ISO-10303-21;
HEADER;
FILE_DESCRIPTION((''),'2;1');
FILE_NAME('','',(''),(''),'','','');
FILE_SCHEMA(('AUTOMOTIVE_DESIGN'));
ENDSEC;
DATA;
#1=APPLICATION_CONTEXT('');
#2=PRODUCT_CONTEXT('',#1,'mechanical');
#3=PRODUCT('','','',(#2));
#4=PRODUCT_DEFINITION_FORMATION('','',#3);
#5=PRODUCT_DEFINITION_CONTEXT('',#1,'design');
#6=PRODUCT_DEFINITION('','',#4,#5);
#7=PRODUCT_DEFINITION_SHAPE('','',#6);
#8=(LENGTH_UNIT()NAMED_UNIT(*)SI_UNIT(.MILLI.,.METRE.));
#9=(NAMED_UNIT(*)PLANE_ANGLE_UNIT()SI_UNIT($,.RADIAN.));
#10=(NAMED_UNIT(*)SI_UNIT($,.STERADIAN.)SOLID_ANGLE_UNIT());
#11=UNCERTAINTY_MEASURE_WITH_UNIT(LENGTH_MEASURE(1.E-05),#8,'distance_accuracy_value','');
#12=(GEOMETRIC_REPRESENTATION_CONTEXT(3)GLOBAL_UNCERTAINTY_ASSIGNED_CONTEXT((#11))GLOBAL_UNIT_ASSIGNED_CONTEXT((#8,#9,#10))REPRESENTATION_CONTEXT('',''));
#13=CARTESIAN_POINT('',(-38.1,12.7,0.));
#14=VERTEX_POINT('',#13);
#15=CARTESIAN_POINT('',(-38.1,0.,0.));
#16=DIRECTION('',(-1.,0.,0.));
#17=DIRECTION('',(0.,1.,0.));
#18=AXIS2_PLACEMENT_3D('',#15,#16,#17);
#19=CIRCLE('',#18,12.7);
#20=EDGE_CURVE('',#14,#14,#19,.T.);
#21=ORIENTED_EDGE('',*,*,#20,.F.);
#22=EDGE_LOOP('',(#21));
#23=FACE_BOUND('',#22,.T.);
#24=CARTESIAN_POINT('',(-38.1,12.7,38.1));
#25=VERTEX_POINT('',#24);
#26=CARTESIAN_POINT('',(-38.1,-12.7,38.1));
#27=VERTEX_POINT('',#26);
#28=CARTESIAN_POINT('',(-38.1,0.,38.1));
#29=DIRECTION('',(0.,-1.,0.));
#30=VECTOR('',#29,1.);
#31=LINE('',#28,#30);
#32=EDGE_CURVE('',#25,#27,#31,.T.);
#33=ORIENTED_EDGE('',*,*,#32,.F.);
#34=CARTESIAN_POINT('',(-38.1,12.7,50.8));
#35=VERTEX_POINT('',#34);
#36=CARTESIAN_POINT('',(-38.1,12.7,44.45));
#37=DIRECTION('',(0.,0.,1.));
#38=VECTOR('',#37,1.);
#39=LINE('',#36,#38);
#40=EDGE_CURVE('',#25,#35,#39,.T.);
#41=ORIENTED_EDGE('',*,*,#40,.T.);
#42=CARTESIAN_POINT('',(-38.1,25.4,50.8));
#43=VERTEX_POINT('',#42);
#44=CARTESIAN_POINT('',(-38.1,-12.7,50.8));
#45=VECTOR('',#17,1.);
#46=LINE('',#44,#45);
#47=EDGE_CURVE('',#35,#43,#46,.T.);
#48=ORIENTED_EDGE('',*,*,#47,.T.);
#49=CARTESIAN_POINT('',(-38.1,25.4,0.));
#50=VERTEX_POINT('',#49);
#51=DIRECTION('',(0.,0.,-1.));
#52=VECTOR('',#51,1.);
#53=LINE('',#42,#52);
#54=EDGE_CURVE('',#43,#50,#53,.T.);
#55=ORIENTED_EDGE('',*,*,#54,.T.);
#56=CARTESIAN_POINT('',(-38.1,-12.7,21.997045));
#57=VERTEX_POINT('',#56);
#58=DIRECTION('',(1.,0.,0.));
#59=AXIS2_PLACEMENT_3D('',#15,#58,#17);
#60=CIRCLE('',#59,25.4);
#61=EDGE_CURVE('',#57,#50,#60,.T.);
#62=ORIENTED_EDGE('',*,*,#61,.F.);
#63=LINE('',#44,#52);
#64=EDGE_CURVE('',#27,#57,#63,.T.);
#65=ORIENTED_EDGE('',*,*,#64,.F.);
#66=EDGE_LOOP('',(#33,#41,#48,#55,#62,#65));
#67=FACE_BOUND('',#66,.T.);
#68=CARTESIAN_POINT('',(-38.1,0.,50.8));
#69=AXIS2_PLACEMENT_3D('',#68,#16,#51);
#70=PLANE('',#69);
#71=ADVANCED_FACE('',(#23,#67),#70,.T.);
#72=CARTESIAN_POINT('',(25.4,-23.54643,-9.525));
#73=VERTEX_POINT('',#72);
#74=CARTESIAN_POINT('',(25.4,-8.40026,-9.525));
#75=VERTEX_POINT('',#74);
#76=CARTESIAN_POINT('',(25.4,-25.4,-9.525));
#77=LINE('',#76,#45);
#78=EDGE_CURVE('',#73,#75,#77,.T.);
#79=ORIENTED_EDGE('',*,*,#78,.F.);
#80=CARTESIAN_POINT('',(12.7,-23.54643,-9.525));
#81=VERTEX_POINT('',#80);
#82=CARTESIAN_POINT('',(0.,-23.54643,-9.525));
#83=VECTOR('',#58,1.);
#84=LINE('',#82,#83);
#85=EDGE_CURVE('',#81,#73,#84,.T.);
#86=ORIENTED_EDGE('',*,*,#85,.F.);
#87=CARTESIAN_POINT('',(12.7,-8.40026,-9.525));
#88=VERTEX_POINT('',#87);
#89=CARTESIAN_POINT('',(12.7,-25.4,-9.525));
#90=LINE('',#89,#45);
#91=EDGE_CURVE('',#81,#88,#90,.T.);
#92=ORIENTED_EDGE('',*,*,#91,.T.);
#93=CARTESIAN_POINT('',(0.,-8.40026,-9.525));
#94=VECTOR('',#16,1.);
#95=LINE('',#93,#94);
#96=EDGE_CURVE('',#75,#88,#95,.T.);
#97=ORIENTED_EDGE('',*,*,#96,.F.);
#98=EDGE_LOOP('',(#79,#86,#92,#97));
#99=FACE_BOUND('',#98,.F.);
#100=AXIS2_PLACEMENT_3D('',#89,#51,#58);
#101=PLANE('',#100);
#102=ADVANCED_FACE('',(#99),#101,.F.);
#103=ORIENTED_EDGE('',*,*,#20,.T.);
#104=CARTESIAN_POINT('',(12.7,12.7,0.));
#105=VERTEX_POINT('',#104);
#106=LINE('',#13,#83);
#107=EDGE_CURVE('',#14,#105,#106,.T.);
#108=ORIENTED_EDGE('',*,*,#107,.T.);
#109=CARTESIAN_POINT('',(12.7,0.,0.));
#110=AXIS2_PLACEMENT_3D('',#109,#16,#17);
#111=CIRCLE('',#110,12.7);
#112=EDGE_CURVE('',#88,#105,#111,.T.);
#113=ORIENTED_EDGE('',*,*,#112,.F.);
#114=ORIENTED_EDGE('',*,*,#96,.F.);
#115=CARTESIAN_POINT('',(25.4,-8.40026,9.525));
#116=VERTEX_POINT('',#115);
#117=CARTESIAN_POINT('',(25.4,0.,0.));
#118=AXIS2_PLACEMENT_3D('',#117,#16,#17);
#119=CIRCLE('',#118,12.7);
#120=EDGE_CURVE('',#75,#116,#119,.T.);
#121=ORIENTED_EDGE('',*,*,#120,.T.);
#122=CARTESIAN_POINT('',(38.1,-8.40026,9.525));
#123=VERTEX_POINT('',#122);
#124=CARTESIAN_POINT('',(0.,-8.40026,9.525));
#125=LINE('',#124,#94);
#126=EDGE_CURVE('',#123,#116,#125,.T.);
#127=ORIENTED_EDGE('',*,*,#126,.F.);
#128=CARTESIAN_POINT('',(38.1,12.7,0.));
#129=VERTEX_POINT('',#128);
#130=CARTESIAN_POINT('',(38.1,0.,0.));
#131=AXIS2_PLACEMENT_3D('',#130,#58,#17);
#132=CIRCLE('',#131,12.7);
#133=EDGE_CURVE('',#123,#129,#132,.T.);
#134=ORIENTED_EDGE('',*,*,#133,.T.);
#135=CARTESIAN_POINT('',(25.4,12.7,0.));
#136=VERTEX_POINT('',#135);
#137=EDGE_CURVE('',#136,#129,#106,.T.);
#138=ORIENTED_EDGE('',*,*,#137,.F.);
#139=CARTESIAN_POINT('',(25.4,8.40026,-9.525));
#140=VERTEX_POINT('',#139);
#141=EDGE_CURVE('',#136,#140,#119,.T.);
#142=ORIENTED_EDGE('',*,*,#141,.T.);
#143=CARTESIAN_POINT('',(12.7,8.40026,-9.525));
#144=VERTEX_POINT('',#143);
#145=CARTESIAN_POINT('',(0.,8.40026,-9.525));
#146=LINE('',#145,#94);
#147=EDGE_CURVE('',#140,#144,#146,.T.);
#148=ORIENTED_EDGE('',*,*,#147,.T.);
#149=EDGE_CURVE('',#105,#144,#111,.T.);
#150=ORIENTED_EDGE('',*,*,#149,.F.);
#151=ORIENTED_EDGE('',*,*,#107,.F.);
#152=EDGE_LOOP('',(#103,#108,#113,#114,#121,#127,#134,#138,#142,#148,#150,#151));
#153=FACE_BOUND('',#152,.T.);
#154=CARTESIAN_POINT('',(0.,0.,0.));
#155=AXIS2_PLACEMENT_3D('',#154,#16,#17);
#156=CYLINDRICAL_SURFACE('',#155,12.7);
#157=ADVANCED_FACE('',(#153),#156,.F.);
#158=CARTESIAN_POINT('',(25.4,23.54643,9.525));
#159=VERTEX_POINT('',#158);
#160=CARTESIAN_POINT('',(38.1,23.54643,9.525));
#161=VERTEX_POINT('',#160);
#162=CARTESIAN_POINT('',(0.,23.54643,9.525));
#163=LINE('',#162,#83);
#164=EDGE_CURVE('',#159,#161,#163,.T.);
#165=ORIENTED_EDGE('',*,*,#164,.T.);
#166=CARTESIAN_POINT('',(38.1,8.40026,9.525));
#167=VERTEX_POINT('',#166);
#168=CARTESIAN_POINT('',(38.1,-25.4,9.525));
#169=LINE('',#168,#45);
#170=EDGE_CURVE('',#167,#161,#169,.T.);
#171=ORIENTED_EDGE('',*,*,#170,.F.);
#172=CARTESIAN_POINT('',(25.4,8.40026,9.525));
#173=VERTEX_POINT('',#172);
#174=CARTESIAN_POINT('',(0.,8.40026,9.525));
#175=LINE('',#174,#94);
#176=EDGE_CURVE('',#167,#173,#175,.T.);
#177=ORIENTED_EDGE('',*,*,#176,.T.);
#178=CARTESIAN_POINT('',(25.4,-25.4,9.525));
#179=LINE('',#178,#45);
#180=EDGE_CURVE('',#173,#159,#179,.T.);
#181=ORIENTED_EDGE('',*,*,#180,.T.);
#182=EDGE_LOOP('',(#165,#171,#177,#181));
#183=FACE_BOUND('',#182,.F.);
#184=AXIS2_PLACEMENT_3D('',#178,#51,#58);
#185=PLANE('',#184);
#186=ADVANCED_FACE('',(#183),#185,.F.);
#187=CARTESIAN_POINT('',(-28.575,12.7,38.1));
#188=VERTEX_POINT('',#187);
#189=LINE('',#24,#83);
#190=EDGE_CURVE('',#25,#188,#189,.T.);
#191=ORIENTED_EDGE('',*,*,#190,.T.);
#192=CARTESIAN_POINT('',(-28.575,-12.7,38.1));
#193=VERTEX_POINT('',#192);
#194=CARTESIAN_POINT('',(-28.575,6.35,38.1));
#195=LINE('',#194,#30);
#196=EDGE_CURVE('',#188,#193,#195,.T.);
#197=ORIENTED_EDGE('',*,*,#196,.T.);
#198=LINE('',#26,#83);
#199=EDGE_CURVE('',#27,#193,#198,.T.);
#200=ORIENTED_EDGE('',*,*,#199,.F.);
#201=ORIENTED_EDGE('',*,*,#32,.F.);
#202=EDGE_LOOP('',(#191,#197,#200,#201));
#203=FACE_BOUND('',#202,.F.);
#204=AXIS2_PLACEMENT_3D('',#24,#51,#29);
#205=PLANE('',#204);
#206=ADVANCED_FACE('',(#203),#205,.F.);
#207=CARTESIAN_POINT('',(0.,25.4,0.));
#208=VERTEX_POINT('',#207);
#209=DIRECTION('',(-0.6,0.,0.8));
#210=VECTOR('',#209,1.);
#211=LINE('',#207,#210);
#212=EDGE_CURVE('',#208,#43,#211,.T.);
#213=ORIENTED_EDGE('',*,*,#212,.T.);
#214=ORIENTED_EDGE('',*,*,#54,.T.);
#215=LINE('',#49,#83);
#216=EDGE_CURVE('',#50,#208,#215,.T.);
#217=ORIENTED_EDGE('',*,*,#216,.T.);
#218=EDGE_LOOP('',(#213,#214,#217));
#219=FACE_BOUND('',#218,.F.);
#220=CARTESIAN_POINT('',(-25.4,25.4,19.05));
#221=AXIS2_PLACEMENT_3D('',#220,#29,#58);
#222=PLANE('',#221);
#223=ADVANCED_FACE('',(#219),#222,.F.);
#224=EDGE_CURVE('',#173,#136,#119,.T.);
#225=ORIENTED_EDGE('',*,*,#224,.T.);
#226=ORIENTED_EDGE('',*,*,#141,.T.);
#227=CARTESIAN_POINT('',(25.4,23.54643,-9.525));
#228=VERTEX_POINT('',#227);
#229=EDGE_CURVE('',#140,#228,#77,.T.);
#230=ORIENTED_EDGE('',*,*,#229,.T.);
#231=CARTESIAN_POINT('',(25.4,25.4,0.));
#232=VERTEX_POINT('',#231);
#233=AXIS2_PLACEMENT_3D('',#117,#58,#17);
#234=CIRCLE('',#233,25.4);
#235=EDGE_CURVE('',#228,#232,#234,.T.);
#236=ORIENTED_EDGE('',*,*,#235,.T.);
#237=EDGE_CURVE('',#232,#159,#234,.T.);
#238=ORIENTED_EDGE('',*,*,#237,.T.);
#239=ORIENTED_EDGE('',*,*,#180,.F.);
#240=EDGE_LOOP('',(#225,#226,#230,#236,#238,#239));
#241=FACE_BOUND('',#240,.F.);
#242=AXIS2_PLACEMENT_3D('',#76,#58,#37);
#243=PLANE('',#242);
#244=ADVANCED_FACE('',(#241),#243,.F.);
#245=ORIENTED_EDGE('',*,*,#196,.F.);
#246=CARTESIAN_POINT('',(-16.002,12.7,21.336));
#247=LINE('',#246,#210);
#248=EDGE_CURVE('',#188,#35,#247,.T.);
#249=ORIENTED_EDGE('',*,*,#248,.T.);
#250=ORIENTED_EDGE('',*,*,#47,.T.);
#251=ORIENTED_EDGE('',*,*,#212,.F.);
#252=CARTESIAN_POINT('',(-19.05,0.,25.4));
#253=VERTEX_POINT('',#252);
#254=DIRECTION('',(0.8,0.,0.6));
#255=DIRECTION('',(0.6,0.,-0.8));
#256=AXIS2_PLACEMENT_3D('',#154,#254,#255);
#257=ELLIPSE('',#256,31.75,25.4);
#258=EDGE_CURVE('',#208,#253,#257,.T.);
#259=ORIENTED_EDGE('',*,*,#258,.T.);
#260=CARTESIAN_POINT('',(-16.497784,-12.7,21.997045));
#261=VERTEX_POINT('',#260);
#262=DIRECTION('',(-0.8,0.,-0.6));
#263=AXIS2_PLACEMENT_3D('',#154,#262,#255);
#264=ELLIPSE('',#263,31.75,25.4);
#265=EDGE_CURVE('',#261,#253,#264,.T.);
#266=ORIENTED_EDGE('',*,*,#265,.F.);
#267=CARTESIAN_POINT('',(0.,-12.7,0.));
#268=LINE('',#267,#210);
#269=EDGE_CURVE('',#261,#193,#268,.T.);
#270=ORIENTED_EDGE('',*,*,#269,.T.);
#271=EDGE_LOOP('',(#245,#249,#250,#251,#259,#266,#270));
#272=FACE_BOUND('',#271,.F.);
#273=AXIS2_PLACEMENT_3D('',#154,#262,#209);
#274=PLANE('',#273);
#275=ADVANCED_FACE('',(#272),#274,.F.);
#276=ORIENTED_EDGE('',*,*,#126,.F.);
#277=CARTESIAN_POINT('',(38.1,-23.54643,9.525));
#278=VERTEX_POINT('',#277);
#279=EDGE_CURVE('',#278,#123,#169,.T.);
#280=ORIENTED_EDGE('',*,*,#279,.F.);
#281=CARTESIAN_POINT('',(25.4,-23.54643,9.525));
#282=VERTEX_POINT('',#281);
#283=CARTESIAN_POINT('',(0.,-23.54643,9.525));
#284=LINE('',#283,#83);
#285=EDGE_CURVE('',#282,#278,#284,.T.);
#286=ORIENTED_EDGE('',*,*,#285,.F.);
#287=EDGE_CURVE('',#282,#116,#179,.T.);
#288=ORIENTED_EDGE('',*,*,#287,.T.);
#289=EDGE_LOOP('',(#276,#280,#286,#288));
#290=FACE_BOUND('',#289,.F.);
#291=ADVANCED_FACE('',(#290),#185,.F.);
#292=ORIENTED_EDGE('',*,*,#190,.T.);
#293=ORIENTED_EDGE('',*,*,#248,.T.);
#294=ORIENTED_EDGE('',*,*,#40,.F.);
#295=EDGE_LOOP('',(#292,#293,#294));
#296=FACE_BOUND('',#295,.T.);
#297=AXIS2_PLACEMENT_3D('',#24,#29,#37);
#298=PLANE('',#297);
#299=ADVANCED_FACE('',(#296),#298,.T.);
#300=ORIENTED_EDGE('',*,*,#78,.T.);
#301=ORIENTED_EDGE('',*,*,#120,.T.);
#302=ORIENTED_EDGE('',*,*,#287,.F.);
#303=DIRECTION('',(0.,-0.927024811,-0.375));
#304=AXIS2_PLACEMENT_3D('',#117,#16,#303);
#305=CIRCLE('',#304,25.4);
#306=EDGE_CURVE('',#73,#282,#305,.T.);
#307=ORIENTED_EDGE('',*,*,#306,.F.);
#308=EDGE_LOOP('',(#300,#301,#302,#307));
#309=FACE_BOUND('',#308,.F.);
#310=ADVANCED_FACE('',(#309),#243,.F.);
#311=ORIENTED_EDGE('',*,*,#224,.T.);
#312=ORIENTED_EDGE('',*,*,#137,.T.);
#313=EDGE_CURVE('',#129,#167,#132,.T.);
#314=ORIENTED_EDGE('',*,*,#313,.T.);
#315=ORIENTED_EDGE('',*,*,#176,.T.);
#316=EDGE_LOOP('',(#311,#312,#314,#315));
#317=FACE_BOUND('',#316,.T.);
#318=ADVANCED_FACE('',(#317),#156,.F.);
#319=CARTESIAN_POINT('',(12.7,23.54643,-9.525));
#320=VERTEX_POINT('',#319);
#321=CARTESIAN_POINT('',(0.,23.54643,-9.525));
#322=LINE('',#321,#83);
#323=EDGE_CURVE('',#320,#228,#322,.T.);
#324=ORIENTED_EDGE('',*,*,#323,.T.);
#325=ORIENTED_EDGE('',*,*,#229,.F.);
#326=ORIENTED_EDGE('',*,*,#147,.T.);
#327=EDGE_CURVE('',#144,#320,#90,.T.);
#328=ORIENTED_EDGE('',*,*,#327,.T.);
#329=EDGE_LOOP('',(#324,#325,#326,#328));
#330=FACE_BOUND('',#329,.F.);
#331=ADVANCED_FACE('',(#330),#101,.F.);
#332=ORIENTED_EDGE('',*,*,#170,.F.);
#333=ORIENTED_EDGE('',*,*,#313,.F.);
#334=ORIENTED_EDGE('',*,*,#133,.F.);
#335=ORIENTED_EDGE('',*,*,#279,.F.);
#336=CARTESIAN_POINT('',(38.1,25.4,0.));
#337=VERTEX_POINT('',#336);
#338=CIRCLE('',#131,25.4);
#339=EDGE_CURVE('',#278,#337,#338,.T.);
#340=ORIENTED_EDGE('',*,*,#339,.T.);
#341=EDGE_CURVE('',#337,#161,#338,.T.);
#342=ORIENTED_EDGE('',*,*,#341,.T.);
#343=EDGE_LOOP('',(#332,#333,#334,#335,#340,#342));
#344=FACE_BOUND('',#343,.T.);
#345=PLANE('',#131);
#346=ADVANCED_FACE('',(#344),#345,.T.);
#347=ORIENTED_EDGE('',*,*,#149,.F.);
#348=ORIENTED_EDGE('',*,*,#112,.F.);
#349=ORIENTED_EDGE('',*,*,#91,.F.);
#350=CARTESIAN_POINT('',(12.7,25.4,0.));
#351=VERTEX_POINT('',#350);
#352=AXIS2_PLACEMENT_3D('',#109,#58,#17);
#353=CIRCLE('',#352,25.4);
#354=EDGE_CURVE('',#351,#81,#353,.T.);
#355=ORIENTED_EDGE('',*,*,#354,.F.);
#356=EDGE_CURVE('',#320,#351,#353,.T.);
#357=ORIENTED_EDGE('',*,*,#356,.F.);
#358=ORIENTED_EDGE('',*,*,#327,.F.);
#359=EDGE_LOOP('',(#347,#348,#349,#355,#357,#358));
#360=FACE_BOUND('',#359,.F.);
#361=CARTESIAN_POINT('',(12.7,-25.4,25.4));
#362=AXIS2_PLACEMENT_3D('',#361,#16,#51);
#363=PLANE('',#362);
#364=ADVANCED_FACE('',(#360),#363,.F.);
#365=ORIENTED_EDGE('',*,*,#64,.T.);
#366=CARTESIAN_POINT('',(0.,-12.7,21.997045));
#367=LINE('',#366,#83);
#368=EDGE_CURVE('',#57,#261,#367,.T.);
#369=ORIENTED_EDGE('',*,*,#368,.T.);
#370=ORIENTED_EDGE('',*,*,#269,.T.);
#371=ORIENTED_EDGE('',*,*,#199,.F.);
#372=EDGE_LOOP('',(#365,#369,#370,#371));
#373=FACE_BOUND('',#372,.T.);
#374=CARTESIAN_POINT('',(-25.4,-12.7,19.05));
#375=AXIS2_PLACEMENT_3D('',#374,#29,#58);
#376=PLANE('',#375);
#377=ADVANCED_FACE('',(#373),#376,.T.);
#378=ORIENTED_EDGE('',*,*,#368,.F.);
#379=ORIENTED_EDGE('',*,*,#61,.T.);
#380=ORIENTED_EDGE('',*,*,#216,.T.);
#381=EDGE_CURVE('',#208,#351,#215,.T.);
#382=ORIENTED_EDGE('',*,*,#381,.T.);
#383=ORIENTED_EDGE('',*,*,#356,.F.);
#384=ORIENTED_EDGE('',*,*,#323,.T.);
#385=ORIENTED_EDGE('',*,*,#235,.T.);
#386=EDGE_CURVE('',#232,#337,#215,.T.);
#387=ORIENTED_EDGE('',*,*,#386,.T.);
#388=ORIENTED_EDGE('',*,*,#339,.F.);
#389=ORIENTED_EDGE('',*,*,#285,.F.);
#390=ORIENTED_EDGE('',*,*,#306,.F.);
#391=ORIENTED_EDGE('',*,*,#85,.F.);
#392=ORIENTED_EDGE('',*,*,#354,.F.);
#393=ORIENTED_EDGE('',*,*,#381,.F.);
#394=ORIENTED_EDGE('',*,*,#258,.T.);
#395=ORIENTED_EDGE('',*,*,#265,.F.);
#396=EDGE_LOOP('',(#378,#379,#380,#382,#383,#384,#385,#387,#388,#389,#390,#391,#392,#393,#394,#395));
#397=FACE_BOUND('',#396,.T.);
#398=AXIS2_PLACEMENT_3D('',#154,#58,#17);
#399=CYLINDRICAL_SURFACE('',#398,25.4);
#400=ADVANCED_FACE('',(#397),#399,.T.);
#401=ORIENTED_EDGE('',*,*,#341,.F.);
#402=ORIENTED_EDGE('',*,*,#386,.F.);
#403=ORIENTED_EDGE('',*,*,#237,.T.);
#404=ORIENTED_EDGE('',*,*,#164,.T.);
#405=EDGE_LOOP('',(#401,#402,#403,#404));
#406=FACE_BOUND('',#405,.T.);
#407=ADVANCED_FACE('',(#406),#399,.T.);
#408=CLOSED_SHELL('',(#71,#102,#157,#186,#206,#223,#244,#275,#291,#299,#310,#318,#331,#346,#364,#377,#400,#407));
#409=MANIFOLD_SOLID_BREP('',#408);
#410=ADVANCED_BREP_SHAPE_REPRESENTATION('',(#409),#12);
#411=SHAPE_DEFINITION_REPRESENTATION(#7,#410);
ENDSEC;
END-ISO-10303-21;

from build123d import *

# Parameters (mm, degrees)
F0_R          = 25.4
F0_R_2        = 12.7
F1_DEPTH      = 38.1
F3_DEPTH      = 12.7
F3_DEPTH_BACK = 25.4
F4_DEPTH      = 38.101
F5_W          = 25.4
F5_H          = 12.7
F6_DEPTH      = 76.201
F9_DEPTH      = 50.801


with BuildPart() as f1:
    # F0 (on Right) → F1 (new body, symmetric)
    with BuildSketch(Plane.YZ):
        Circle(F0_R)
        Circle(F0_R_2, mode=Mode.SUBTRACT)
    extrude(amount=F1_DEPTH, both=True)

    # F2 (on Front) → F3 (join, two sides)
    with BuildSketch(Plane.XZ) as f3_sk:
        Polygon((-38.1, 0), (0, 0), (-38.1, 50.8), align=None)
    extrude(amount=F3_DEPTH)
    extrude(f3_sk.sketch, amount=-F3_DEPTH_BACK)

    # F0 (on Right) → F4 (cut, through all)
    with BuildSketch(Plane.YZ):
        Circle(F0_R_2)
    extrude(amount=-F4_DEPTH, mode=Mode.SUBTRACT)

    # F5 (on face) → F6 (cut, through all)
    with BuildSketch(Plane(origin=(-38.1, 0, 0), x_dir=(0, -1, 0), z_dir=(-1, 0, 0))):
        with Locations((0, 44.45)):
            Rectangle(F5_W, F5_H)
    extrude(amount=-F6_DEPTH, mode=Mode.SUBTRACT)

    # F8 (on offset) → F9 (cut, through all)
    with BuildSketch(Plane.XZ.offset(25.4)):
        Polygon((12.7, 25.4), (12.7, -9.525), (25.4, -9.525), (25.4, 9.525), (38.1, 9.525), (38.1, 25.4), align=None)
    extrude(amount=-F9_DEPTH, mode=Mode.SUBTRACT)


solid = f1.part
